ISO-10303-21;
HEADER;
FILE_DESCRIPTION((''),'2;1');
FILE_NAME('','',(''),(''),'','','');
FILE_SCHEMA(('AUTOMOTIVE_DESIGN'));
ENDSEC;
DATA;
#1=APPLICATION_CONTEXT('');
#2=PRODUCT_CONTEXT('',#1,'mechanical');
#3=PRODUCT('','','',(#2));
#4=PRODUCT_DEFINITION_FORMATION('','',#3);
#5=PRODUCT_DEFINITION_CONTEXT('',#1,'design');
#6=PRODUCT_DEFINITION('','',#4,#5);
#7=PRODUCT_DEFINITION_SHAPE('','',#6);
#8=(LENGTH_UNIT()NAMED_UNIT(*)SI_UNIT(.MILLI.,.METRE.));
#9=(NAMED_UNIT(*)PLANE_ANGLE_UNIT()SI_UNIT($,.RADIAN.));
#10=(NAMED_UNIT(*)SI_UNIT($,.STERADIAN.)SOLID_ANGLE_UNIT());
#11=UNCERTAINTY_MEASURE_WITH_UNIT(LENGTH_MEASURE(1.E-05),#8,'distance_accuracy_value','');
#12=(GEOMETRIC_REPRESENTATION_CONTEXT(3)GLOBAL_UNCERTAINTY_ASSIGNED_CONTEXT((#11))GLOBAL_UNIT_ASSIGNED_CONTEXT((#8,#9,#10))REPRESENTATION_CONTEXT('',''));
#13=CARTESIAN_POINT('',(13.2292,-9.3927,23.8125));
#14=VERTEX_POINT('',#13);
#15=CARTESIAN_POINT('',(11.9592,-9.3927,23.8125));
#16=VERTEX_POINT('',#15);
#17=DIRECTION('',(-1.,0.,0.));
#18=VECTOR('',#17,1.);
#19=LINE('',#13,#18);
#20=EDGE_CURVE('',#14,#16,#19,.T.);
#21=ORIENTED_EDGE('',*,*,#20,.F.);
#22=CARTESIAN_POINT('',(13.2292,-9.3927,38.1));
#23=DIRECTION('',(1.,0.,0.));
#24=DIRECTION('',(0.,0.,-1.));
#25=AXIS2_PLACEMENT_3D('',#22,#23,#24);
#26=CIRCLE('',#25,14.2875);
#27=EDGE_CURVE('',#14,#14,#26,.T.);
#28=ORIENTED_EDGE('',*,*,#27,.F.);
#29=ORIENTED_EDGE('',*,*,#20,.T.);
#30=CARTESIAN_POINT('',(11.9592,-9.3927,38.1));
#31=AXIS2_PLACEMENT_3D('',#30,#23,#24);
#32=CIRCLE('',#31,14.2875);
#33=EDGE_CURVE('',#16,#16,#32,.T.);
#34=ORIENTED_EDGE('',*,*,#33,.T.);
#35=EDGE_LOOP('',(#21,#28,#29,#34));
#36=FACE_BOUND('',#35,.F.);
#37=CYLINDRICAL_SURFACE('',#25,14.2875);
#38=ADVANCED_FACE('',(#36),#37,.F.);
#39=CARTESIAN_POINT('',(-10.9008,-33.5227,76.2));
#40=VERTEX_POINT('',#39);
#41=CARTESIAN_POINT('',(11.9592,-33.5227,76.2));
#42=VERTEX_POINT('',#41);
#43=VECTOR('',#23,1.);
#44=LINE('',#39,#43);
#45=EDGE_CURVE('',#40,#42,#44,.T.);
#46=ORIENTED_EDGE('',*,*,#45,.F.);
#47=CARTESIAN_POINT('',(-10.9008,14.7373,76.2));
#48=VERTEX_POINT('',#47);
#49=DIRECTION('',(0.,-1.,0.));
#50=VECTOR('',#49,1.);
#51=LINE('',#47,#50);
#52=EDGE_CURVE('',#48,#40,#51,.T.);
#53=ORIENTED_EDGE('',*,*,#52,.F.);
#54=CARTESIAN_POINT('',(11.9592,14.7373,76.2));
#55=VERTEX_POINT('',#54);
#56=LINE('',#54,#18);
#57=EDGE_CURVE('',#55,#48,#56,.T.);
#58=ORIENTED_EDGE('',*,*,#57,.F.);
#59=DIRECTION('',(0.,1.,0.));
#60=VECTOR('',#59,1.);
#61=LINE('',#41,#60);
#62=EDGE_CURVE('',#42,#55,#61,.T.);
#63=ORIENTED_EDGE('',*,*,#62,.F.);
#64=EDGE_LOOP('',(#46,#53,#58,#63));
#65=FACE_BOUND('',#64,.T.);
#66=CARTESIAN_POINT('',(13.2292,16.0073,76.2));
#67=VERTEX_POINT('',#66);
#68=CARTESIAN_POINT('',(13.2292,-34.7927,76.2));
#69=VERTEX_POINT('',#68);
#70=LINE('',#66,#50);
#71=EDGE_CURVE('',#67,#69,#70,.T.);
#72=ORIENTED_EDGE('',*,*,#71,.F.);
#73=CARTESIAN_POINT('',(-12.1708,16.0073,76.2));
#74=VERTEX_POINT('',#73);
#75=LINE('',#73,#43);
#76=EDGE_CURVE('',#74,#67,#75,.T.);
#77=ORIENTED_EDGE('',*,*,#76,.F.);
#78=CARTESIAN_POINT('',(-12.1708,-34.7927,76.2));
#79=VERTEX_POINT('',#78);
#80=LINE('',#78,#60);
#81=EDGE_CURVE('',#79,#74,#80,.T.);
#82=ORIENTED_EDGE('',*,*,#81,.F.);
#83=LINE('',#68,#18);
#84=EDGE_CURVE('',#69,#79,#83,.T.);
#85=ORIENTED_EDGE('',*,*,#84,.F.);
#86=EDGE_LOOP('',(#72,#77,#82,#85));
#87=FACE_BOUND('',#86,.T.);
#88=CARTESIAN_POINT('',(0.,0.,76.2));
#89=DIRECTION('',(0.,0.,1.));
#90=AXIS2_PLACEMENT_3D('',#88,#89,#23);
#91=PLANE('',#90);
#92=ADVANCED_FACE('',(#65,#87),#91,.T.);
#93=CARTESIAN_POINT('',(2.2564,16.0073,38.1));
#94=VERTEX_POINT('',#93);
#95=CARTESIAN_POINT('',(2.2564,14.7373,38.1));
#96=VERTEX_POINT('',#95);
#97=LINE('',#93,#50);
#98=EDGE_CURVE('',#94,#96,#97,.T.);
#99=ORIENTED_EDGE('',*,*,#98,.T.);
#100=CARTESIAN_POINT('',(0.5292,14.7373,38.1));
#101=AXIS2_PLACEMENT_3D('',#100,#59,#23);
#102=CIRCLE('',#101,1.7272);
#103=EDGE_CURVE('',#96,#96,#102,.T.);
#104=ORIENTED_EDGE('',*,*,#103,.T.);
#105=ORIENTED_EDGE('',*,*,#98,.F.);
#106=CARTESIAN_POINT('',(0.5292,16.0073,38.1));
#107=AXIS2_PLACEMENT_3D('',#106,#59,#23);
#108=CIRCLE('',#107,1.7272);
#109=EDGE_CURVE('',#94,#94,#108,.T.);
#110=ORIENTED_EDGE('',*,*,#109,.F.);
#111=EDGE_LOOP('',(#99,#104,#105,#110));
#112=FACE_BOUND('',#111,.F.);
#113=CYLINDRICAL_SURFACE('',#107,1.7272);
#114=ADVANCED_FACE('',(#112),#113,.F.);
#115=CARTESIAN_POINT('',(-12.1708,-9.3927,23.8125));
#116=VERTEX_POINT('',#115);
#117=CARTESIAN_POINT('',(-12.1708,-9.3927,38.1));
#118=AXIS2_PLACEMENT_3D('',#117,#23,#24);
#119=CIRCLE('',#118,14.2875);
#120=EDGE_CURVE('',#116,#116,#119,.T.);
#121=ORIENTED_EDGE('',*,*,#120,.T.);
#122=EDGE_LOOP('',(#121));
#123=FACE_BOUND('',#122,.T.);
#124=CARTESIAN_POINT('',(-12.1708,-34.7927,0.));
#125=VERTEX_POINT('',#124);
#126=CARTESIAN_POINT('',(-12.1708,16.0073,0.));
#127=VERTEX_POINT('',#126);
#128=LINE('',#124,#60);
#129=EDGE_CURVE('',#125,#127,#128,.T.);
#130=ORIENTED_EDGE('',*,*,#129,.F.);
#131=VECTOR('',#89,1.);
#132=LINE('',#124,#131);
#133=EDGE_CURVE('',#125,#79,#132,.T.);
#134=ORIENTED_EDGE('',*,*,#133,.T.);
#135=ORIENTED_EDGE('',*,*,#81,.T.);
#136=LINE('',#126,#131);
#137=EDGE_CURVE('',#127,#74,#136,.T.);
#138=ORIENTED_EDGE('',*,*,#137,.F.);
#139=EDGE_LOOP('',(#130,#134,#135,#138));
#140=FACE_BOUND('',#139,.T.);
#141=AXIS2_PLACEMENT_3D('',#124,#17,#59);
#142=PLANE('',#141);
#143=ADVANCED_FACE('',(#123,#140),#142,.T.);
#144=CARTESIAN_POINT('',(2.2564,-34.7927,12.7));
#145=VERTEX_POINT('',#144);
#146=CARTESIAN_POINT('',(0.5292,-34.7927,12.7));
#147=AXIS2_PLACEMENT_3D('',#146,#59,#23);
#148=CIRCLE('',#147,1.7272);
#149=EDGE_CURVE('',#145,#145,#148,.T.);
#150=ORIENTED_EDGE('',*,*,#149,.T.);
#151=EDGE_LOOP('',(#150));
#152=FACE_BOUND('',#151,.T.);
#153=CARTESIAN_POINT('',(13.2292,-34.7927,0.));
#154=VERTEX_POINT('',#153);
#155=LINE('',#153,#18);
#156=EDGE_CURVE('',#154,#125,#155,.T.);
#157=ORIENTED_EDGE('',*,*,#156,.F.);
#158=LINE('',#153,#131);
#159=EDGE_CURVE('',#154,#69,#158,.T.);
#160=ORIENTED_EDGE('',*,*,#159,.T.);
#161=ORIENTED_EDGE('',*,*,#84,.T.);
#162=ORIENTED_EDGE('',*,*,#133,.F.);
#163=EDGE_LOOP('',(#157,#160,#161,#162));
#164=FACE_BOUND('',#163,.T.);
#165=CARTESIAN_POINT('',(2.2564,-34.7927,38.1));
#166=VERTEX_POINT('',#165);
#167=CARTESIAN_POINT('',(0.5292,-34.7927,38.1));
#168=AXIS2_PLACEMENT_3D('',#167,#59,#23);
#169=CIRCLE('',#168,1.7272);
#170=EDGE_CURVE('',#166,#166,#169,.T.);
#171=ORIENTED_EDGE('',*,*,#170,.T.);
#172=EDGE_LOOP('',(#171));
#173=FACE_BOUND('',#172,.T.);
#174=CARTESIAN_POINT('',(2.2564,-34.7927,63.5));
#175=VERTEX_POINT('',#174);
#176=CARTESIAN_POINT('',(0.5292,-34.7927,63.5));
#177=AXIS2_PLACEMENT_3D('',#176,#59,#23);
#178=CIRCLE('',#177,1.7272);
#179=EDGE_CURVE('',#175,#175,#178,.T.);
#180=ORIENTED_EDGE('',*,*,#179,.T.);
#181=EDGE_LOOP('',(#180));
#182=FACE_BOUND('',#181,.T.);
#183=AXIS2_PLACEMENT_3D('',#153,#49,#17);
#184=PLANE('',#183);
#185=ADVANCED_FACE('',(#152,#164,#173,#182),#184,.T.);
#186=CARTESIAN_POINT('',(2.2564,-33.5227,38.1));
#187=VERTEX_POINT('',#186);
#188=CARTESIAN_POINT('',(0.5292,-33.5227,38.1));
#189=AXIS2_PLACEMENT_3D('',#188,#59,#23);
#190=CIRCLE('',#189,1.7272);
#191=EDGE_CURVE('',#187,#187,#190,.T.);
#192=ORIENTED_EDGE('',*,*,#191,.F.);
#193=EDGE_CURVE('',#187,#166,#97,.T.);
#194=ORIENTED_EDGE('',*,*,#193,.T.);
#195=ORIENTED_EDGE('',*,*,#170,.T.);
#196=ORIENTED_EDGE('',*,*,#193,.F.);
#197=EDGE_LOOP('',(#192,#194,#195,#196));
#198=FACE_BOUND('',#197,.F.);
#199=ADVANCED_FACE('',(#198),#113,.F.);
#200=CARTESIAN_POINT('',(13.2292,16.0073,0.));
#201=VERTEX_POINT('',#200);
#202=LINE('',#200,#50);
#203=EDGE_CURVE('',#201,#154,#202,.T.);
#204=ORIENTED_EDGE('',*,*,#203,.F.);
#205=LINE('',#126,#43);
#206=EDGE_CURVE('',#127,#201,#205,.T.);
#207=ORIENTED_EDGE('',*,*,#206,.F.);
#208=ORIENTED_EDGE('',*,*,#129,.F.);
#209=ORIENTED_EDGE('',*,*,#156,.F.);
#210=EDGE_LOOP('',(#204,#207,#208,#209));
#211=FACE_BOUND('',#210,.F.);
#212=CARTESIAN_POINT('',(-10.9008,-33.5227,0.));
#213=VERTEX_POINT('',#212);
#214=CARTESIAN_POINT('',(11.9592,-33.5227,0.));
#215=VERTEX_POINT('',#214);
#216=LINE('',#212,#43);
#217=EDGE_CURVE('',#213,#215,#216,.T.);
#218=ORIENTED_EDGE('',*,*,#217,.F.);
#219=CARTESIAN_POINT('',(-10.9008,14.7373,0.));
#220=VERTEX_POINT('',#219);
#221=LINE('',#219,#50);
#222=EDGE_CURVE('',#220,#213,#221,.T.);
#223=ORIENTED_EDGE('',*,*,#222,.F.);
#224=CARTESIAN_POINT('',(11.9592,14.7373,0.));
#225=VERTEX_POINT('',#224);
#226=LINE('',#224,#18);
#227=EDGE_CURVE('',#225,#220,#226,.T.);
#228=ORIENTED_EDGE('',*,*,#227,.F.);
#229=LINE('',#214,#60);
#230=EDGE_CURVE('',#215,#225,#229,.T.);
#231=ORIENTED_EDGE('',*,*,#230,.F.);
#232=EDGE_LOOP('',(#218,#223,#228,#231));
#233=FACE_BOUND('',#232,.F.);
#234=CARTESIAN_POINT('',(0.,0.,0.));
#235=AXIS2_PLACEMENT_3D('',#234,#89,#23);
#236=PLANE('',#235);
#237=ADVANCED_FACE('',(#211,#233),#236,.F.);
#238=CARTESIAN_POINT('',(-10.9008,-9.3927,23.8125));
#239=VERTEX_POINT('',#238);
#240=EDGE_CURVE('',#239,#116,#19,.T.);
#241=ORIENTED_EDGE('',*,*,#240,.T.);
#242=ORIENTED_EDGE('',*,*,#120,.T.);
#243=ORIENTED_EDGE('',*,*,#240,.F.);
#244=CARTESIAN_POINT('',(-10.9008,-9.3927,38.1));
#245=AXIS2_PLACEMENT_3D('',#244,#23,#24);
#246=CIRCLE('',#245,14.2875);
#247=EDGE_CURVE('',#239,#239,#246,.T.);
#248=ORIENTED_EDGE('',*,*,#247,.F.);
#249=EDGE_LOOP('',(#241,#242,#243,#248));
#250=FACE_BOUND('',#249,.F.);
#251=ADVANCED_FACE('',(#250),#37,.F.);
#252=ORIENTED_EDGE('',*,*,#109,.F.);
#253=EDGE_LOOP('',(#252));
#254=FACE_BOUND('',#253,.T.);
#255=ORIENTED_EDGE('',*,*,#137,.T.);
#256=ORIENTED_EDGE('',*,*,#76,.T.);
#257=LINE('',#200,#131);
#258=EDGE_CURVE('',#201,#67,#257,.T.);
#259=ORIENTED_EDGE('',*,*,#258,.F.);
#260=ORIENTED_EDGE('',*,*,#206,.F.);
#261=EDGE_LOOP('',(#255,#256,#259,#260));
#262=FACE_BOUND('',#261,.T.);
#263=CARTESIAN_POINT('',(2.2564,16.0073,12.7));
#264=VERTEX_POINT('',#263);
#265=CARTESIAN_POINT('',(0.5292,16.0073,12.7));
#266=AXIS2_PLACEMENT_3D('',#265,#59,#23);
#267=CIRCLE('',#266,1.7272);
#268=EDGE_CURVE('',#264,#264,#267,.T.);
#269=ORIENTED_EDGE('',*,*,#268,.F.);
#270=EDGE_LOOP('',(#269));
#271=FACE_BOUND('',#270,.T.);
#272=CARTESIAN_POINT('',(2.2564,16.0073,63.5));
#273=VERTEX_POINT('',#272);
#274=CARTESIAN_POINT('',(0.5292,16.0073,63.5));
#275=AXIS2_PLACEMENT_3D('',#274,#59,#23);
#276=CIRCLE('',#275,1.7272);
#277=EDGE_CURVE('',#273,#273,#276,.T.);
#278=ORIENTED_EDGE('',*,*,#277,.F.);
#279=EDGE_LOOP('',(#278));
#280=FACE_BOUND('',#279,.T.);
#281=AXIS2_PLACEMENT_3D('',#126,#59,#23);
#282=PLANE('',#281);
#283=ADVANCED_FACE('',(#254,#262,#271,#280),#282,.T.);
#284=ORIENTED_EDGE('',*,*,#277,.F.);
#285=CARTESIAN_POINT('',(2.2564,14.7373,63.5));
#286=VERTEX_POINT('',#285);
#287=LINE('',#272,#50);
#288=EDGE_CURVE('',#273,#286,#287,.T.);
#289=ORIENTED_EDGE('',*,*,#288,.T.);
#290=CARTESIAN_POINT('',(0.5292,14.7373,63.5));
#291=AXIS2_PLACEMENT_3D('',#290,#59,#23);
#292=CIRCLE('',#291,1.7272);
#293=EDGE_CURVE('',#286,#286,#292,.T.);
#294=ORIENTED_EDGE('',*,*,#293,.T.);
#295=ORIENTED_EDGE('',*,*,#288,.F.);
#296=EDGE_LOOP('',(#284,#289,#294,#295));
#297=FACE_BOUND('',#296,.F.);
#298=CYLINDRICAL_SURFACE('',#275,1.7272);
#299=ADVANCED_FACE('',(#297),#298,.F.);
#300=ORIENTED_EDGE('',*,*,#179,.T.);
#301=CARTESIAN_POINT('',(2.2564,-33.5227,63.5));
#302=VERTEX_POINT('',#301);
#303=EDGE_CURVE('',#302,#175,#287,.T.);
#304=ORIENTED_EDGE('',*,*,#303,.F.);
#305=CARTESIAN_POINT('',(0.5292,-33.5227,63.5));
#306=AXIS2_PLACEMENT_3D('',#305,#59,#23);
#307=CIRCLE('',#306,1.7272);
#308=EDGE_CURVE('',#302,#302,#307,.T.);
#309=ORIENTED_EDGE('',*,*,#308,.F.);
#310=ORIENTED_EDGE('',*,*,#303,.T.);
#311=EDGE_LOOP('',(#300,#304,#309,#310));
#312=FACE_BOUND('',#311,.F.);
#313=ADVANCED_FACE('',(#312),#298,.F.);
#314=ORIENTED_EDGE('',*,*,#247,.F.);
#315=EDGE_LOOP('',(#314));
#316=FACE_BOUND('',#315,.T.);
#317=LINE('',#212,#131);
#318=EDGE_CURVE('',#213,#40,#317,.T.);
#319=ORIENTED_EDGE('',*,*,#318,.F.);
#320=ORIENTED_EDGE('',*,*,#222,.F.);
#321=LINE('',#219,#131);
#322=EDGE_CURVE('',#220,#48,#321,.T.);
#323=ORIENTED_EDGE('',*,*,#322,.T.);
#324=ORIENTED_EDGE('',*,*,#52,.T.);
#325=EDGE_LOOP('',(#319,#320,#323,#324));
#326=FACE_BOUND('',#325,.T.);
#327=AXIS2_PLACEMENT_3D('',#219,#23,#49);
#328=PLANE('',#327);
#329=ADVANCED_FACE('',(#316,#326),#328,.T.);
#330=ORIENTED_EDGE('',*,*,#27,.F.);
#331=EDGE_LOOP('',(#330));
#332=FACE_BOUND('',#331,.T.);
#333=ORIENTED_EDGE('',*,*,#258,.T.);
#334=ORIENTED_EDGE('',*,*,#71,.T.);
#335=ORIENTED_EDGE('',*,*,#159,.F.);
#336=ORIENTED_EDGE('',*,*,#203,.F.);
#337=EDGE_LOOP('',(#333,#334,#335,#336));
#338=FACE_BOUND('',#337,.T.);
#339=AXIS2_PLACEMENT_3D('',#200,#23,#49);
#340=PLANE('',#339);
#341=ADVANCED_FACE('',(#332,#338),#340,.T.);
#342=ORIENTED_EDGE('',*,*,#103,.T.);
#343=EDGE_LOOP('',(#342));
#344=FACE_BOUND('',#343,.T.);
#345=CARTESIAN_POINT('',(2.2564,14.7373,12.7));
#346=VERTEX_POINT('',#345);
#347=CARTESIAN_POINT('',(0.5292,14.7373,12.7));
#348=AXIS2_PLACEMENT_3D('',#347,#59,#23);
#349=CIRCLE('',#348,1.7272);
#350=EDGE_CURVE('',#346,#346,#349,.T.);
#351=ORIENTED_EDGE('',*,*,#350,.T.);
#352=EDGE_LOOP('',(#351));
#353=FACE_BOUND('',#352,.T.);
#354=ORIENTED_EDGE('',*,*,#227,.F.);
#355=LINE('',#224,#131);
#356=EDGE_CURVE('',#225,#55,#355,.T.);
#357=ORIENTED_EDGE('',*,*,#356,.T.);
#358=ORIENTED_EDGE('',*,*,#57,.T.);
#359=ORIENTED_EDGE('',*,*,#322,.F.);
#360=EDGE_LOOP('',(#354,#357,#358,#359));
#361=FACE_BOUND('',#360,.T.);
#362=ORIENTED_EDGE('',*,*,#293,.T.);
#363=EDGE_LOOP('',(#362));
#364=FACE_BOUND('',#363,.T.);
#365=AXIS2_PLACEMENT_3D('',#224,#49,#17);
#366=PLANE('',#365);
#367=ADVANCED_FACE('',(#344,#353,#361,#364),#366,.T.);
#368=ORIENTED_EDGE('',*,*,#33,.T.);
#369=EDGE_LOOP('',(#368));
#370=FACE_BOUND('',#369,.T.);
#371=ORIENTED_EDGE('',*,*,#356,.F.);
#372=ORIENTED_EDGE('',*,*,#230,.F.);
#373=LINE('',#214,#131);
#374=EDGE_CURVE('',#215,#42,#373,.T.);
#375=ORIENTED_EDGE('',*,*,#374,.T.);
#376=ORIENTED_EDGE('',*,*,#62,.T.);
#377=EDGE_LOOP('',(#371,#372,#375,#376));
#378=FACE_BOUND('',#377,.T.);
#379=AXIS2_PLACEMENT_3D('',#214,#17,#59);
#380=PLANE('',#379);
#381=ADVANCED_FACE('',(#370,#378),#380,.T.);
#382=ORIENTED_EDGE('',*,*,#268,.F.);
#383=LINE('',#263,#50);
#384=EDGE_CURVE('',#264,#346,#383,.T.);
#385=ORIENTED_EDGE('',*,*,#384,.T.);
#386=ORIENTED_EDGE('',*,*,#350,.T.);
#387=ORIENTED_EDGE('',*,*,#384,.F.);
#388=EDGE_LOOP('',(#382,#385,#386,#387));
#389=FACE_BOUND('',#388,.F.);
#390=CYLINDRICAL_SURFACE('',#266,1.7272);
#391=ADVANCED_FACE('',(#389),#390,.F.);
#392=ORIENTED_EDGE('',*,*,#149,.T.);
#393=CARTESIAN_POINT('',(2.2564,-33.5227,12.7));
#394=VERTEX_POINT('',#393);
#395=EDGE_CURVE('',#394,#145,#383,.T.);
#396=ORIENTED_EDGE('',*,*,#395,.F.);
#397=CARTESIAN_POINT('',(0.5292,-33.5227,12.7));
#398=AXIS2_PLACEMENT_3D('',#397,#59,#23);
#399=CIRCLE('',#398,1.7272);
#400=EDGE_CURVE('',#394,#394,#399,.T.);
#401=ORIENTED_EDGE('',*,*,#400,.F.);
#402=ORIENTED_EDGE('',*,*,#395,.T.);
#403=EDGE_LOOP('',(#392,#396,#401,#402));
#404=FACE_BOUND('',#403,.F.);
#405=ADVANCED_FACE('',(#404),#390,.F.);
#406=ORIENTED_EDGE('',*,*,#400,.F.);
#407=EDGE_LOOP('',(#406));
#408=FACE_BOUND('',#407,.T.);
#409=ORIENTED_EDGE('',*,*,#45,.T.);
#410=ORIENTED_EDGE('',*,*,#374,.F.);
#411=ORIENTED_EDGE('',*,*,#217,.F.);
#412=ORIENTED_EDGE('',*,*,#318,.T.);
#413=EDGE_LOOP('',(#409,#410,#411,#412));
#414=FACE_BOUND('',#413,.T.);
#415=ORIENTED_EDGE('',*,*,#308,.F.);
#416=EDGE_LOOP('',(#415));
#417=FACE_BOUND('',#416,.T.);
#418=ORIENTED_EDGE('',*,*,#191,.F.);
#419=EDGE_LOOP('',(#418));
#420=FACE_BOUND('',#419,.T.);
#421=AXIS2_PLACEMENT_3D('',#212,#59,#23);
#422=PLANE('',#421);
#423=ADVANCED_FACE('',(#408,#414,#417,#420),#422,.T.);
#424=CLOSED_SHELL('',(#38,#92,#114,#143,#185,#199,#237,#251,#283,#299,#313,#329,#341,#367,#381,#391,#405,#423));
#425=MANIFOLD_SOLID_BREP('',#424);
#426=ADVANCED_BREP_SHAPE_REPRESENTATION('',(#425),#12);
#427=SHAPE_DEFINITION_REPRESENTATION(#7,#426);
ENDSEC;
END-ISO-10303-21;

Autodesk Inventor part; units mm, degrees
ref_plane "YZ Plane" through (0, 0, 0) normal (1, 0, 0) x (0, 1, 0)
ref_plane "XZ Plane" through (0, 0, 0) normal (0, 1, 0) x (-1, 0, 0)
ref_plane "XY Plane" through (0, 0, 0) normal (0, 0, 1) x (1, 0, 0)
sketch "Sketch1" plane through (0, 0, 0) normal (0, 0, 1) x (1, 0, 0)
  line L0 (-12.1708, 16.0073) -> (13.2292, 16.0073)
  line L1 (13.2292, 16.0073) -> (13.2292, -34.7927)
  line L2 (13.2292, -34.7927) -> (-12.1708, -34.7927)
  line L3 (-12.1708, -34.7927) -> (-12.1708, 16.0073)
  line L4 (11.9592, 14.7373) -> (-10.9008, 14.7373)
  line L5 (-10.9008, 14.7373) -> (-10.9008, -33.5227)
  line L6 (-10.9008, -33.5227) -> (11.9592, -33.5227)
  line L7 (11.9592, -33.5227) -> (11.9592, 14.7373)
  point P0 (0, 0)
  dimension "d0" = 25.4
  dimension "d1" = 50.8
  dimension "d2" = 1.27
extrude "Extrusion1" add sketch "Sketch1" along normal blind 76.2
sketch "Sketch2" plane through (-12.1708, 16.0073, 0) normal (0, 1, 0) x (1, 0, 0)
  circle A0 centre (12.7, -12.7) radius 1.7272
  line L0 (25.4, 0) -> (0, 0) projected
  line L1 (0, 0) -> (0, -76.2) projected
  point P0 (12.1708, 0)
  dimension "d5" = 3.4544
  dimension "d6" = 12.7
  dimension "d7" = 12.7
extrude "Extrusion2" cut sketch "Sketch2" against normal through all
pattern_linear "Rectangular Pattern1" count 8 spacing 25.4 along (0, 0, 1) of "Extrusion2"
sketch "Sketch3" plane through (13.2292, -34.7927, 0) normal (1, 0, 0) x (0, 0, -1)
  circle A0 centre (-38.1, 25.4) radius 14.2875
  line L0 (0, 0) -> (-76.2, 0) projected
  line L1 (-76.2, 0) -> (-76.2, 50.8) projected
  point P0 (0, 34.7927)
  dimension "d15" = 25.4
  dimension "d16" = 38.1
  dimension "d17" = 28.575
extrude "Extrusion3" cut sketch "Sketch3" against normal through all
equation "\"d3\" = d13"
equation "\"d10\" = d14"
equation "\"d13\" = 76.2"
equation "\"d14\" = d13"
properties part number "Test  Stock Rotation extender"
